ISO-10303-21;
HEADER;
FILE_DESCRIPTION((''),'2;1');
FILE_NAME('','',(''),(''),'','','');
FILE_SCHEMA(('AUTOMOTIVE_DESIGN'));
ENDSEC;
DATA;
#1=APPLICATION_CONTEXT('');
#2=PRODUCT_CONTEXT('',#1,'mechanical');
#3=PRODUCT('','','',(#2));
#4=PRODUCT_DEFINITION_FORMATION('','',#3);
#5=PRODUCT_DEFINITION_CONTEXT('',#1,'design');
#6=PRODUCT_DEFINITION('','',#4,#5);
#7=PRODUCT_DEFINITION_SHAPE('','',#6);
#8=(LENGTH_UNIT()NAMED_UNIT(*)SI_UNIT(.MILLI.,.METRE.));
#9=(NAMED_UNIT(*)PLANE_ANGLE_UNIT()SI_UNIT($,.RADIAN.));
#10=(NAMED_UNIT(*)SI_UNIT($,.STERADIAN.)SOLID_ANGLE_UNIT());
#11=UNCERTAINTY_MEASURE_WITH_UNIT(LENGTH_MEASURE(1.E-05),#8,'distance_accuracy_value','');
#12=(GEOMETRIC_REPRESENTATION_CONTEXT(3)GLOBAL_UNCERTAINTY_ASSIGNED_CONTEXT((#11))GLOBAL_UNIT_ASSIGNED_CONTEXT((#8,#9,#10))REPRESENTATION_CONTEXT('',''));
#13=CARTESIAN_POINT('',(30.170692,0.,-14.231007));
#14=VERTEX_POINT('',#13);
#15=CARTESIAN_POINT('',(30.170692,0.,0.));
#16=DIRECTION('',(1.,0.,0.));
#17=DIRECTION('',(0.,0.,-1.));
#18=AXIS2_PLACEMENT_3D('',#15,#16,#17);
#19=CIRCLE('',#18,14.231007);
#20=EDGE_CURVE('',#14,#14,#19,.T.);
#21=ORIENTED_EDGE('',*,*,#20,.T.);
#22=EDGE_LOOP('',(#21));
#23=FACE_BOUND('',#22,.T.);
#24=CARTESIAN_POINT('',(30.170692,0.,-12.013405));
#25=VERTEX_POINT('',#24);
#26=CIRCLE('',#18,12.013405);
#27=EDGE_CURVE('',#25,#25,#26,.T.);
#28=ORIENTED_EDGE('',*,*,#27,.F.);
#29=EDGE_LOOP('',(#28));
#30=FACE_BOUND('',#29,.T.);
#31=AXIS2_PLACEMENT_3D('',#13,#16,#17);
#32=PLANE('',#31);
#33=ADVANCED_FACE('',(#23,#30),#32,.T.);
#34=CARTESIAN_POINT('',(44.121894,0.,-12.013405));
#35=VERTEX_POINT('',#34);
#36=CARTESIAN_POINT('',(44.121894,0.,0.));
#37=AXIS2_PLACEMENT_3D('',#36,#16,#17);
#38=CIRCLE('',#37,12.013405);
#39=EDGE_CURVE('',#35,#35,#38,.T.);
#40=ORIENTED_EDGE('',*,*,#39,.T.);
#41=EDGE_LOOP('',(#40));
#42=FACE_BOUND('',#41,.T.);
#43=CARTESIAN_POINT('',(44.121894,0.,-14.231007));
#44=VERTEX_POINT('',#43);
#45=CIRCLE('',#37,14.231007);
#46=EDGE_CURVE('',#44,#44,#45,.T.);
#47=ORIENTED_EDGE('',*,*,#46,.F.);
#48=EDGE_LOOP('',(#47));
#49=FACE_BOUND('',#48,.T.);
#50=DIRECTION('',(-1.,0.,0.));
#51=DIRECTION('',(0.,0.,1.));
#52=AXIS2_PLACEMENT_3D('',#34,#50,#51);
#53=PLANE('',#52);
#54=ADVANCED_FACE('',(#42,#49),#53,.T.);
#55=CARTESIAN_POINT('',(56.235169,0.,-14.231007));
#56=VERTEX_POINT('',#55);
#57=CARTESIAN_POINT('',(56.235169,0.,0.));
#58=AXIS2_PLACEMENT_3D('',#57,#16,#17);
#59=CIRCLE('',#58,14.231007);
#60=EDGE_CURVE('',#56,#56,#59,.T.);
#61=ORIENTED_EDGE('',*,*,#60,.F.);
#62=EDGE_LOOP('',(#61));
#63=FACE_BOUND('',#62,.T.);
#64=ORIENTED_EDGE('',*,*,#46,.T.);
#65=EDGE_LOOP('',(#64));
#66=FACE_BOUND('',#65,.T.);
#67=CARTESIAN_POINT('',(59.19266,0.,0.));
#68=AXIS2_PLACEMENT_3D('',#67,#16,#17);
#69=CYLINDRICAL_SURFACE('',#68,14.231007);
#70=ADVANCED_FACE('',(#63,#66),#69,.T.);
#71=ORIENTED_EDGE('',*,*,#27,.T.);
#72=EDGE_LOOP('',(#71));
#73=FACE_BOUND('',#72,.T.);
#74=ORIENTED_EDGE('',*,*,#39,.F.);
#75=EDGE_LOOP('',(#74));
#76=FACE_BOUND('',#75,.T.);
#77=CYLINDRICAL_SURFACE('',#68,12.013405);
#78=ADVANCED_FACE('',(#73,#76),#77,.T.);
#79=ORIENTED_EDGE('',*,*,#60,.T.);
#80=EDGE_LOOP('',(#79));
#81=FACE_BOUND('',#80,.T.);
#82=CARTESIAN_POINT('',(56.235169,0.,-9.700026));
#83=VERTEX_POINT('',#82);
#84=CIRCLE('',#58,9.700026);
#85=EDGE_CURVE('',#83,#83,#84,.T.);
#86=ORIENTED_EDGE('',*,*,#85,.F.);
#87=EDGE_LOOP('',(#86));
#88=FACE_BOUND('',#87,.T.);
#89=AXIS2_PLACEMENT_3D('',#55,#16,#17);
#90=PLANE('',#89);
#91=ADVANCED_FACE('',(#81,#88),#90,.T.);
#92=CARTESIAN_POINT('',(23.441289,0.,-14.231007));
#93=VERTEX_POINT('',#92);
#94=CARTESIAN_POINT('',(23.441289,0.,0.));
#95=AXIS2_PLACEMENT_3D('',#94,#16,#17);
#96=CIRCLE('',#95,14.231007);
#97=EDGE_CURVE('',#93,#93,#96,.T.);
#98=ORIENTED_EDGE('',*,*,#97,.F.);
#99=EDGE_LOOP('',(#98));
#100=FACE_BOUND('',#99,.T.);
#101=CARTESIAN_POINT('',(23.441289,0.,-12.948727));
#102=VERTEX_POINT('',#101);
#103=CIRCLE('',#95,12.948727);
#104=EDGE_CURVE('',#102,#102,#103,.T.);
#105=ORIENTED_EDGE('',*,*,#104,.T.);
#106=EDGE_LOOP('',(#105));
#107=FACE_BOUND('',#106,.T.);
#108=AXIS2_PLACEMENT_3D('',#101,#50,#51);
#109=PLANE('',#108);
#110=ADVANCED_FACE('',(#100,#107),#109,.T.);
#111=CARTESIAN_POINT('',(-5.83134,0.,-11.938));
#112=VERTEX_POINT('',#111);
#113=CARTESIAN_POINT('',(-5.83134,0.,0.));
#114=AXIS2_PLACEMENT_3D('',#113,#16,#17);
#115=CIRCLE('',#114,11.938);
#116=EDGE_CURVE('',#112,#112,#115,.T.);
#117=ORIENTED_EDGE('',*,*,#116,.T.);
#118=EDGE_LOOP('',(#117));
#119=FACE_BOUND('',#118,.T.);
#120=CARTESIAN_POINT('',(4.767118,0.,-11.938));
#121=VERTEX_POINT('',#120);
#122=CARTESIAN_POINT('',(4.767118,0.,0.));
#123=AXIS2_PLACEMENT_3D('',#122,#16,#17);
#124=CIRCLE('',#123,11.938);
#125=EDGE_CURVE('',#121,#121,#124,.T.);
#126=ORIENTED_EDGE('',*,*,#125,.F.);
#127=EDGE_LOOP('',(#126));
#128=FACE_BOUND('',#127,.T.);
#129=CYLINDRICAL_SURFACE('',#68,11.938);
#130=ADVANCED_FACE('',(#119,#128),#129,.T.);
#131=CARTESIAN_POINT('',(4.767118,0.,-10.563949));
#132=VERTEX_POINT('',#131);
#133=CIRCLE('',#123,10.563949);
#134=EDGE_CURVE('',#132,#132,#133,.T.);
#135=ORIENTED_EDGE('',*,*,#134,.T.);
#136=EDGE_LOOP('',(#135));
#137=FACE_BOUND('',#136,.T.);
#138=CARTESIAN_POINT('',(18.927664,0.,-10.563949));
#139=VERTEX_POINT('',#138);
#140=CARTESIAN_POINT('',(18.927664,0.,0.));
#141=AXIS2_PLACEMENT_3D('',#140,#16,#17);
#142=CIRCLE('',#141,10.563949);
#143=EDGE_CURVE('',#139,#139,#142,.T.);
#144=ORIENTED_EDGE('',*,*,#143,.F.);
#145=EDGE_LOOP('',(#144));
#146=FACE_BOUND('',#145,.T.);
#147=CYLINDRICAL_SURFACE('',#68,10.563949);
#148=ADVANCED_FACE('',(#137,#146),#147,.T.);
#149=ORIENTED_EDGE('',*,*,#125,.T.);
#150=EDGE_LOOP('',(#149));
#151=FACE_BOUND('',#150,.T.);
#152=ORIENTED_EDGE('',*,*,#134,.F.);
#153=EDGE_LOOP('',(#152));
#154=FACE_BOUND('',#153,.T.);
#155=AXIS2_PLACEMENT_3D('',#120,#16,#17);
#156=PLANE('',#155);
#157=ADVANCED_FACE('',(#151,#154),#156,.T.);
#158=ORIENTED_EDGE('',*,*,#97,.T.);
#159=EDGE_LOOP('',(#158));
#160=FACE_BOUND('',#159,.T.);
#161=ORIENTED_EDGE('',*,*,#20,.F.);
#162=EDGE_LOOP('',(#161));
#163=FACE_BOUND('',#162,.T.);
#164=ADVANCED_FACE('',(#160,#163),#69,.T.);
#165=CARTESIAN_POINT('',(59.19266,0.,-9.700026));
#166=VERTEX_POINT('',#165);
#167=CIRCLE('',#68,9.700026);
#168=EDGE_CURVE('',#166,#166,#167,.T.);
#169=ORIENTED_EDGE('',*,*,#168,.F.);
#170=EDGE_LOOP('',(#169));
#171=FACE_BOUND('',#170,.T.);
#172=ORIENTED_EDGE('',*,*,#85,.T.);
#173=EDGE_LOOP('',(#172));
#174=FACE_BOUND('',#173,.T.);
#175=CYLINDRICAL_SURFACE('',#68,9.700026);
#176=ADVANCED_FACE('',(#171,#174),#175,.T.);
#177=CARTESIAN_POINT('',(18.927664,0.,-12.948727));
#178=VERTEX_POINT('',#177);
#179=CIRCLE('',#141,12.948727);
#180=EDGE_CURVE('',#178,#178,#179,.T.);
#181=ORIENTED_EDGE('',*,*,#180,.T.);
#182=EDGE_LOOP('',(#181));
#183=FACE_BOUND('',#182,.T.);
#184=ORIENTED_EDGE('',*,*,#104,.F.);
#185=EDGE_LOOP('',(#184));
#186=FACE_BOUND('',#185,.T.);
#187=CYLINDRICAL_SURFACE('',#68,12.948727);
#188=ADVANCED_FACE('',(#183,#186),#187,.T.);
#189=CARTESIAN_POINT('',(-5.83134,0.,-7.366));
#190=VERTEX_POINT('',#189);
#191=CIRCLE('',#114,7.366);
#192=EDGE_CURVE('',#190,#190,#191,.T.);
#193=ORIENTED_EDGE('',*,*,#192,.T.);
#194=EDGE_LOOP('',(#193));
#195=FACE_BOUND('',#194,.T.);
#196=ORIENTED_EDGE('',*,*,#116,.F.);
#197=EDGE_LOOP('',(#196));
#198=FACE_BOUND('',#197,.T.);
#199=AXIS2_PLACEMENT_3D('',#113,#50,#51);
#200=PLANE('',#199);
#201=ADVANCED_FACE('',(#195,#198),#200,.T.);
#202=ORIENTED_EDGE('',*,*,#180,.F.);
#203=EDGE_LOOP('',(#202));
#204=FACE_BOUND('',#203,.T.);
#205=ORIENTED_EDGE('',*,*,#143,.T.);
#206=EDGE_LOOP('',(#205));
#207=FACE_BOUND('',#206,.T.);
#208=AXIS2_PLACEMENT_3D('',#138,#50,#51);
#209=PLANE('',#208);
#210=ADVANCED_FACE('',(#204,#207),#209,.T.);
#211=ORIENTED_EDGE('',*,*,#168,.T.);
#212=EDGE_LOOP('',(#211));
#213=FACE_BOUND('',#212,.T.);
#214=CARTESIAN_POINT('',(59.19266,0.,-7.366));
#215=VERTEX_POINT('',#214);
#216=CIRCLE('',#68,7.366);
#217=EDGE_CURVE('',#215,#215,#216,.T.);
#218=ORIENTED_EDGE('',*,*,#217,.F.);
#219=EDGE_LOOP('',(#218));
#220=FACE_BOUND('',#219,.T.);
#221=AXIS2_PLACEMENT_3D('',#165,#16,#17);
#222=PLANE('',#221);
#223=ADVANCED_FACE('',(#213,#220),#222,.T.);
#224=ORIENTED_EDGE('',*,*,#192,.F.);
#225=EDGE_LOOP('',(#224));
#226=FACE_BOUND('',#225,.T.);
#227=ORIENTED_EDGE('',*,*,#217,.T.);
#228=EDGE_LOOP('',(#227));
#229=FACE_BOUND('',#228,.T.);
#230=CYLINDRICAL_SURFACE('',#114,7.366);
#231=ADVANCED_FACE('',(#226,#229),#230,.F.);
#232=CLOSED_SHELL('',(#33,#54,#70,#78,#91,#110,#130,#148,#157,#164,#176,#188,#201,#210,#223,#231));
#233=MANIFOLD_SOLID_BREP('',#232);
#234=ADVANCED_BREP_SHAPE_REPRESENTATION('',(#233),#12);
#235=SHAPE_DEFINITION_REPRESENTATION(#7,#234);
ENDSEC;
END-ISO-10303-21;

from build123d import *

# Parameters (mm, degrees)
CUT_EXTRUDE1_DEPTH      = 69.067346778
CUT_EXTRUDE1_DEPTH_BACK = 69.067346778
SKETCH3_R               = 7.366


with BuildPart() as part:
    # Sketch2 → Revolve1 (revolve)
    with BuildSketch(Plane(origin=(0, 0, 0), x_dir=(1, 0, 0), z_dir=(0, 1, 0))):
        Polygon((-5.831340186, 11.938), (4.767118223, 11.938), (4.767118223, 10.563948577), (18.927664498, 10.563948577), (18.927664498, 12.948727397), (23.441288756, 12.948727397), (23.441288756, 14.231007016), (30.170692197, 14.231007016), (30.170692197, 12.013405261), (44.121894451, 12.013405261), (44.121894451, 14.231007016), (56.23516923, 14.231007016), (56.23516923, 9.700025704), (59.192659814, 9.700025704), (59.192659814, 0), (-5.831340186, 0), align=None)
    revolve(axis=Axis((59.192659814, 0, 0), (-1, 0, 0)))

    # Sketch3 → Cut-Extrude1 (cut, two sides: drawn at the far end of the back side and taken through both)
    with BuildSketch(Plane(origin=(59.192659814, 0, 0), x_dir=(0, 0, -1), z_dir=(1, 0, 0)).offset(-CUT_EXTRUDE1_DEPTH_BACK)):
        Circle(SKETCH3_R)
    extrude(amount=CUT_EXTRUDE1_DEPTH + CUT_EXTRUDE1_DEPTH_BACK, mode=Mode.SUBTRACT)


solid = part.part
